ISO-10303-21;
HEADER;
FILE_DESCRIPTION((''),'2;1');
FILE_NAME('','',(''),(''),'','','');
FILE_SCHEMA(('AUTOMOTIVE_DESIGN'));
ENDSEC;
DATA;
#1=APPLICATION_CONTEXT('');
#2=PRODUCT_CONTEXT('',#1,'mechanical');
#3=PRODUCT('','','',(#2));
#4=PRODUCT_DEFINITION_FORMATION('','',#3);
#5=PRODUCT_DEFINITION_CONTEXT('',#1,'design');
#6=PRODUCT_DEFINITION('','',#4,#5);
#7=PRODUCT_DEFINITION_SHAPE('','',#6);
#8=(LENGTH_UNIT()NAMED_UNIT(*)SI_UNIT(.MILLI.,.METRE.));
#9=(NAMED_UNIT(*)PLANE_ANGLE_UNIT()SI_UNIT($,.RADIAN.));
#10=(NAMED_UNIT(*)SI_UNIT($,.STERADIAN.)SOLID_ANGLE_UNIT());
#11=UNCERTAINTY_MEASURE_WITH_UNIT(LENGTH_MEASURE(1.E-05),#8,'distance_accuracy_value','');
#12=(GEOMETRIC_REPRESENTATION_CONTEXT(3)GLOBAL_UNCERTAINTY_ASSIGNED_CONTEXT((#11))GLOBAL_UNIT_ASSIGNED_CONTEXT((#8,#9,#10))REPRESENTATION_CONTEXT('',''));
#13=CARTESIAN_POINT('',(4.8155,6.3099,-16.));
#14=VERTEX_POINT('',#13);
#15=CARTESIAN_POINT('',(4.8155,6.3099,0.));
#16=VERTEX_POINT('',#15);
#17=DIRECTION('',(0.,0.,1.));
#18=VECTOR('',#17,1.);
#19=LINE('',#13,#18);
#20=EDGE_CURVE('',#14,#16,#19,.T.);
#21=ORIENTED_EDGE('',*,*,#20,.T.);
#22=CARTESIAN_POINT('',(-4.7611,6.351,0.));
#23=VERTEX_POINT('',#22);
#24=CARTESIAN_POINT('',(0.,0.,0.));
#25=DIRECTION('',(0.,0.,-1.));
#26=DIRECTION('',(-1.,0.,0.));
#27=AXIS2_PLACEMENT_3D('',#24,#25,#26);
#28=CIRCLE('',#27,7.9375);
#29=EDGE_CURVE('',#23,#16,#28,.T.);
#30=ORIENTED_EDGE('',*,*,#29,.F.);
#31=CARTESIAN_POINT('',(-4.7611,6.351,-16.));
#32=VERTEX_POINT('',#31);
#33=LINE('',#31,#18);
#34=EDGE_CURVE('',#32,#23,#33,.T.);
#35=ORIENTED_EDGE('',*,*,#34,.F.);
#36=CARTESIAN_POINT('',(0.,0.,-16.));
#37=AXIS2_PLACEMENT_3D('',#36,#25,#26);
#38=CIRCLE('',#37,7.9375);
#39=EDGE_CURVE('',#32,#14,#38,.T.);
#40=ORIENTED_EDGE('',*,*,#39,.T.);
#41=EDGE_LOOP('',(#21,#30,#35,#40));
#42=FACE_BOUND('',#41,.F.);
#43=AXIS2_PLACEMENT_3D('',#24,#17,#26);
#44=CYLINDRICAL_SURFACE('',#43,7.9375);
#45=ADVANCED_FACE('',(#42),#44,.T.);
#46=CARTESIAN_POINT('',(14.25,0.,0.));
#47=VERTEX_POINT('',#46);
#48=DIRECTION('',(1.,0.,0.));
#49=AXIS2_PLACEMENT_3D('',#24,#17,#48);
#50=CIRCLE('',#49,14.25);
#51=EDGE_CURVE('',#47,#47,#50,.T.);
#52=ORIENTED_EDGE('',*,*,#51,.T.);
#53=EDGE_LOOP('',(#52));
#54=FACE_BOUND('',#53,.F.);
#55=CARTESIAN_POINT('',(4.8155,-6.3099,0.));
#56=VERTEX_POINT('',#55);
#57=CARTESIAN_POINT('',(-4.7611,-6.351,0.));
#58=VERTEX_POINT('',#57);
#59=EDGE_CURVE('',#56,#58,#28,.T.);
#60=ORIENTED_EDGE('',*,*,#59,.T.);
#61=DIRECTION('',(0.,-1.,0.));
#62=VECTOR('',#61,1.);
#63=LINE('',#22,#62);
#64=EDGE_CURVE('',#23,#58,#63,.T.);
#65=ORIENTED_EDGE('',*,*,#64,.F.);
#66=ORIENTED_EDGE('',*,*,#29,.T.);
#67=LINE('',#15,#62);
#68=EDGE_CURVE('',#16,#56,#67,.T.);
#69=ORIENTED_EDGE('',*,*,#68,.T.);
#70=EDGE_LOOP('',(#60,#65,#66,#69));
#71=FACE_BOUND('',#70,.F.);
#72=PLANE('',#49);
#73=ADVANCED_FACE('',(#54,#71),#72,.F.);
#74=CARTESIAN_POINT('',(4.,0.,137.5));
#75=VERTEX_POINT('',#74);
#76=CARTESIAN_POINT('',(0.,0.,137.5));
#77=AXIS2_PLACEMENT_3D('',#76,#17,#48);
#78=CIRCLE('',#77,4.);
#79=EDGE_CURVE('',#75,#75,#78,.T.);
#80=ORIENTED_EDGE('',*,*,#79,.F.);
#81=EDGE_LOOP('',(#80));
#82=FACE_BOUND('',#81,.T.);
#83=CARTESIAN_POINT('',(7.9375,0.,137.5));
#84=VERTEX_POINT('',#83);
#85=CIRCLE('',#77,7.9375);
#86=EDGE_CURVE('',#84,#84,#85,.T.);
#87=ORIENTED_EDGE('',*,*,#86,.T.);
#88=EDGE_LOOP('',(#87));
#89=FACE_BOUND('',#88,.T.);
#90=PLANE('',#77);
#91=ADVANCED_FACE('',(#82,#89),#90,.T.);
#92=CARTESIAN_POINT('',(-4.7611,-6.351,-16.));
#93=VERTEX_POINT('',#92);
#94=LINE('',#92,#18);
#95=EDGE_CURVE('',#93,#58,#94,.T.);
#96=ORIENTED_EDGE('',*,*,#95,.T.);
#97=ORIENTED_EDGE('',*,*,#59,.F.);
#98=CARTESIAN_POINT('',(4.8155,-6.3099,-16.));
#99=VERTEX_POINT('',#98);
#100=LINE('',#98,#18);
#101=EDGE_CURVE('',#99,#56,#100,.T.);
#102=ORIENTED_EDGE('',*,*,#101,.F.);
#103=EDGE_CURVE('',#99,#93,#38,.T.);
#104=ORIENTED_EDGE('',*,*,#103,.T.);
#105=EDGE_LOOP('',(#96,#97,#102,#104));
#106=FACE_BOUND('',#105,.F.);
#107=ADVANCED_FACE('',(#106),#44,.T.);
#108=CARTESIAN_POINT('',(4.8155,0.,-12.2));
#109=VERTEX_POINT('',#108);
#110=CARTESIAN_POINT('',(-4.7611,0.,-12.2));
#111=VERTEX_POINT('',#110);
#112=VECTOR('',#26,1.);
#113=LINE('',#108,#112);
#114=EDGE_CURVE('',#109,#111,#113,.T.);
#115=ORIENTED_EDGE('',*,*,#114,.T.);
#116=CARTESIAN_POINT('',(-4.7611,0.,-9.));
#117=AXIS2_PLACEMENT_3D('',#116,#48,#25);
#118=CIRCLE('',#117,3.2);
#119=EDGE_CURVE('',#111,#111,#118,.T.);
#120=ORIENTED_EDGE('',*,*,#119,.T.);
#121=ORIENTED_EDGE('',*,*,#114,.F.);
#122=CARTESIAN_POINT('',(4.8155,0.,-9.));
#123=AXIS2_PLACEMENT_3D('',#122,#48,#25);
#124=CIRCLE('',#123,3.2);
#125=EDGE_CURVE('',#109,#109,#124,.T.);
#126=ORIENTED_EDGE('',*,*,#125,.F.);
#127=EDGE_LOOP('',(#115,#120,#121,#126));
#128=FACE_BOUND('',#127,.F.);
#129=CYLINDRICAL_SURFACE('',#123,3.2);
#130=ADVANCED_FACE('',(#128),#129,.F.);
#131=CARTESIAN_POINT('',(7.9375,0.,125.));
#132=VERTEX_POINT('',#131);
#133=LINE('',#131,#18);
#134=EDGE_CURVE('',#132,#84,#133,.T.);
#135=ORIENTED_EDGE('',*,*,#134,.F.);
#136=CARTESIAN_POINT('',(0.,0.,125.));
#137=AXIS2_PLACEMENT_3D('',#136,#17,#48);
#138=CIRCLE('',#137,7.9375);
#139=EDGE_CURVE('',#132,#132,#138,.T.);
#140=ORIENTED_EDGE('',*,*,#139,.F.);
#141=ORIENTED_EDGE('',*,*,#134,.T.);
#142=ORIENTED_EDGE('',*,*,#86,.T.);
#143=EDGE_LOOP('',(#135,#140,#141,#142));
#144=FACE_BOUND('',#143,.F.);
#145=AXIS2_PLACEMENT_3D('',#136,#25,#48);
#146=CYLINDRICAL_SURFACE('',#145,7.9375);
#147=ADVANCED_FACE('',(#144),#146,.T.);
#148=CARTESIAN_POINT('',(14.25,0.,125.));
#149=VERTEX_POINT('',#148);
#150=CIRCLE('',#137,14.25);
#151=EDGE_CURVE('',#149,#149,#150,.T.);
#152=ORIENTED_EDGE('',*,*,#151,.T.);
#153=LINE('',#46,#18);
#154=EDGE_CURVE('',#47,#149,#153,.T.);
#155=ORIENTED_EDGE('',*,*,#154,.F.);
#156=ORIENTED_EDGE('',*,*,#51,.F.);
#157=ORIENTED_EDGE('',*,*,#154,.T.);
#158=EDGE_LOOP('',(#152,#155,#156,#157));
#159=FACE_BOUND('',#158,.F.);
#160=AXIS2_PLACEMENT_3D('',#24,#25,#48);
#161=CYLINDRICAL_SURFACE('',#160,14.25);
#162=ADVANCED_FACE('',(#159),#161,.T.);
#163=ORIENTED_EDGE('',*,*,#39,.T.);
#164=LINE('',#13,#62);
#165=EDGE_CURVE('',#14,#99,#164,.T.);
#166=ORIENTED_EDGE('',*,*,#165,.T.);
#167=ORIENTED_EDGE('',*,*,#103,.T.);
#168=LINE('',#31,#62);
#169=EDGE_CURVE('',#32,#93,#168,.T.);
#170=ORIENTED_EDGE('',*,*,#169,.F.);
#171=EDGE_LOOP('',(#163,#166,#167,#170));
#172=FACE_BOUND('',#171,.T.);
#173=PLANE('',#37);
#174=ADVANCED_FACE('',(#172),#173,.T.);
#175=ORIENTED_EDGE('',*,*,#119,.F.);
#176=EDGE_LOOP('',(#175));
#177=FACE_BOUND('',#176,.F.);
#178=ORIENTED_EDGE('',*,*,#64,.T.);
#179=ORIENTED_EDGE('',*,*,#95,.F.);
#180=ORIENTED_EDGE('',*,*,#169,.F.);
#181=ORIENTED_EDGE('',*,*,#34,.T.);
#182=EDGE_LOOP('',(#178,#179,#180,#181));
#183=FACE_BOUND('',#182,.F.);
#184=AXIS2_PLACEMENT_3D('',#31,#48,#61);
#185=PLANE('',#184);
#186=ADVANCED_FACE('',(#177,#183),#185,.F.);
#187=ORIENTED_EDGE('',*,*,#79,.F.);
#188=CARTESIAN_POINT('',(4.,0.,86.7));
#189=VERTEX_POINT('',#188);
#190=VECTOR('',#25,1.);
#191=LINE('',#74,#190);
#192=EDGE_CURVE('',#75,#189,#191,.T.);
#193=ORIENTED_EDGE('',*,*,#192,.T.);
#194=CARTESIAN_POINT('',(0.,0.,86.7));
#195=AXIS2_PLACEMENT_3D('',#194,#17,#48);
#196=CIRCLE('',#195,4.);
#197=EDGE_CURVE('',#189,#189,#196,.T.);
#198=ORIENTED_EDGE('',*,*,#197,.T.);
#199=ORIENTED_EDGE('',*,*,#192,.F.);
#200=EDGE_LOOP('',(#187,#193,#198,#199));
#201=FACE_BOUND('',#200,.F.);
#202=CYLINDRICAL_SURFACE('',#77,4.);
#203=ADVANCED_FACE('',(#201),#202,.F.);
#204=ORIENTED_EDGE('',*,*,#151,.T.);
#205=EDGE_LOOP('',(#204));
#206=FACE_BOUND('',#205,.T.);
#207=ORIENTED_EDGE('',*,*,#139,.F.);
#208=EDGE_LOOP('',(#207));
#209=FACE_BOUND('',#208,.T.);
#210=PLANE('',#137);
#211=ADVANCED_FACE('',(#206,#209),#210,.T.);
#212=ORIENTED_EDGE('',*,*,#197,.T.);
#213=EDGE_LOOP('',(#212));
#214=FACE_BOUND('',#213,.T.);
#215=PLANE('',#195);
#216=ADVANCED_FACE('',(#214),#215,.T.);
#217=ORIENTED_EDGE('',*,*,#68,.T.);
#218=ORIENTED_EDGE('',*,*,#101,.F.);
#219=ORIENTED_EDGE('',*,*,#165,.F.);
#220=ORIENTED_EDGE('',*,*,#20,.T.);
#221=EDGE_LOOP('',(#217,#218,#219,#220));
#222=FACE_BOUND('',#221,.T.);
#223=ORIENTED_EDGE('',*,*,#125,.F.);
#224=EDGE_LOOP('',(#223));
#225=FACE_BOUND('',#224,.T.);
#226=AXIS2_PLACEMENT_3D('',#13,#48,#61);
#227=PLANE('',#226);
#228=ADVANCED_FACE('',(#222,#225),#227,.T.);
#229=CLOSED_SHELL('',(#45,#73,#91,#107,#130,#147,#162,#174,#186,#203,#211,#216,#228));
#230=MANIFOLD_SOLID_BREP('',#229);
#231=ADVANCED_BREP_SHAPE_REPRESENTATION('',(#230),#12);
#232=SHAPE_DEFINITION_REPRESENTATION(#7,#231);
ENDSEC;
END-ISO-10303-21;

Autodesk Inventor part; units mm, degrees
ref_plane "YZ Plane" through (0, 0, 0) normal (1, 0, 0) x (0, 1, 0)
ref_plane "XZ Plane" through (0, 0, 0) normal (0, 1, 0) x (-1, 0, 0)
ref_plane "XY Plane" through (0, 0, 0) normal (0, 0, 1) x (1, 0, 0)
sketch "Sketch1" plane through (0, 0, 0) normal (0, 0, 1) x (1, 0, 0)
  circle A0 centre (0, 0) radius 14.25
  dimension "d0" = 28.5
extrude "Extrusion1" add sketch "Sketch1" along normal blind 125
sketch "Sketch2" plane through (0, 0, 125) normal (0, 0, 1) x (1, 0, 0)
  circle A0 centre (0, 0) radius 7.9375
  dimension "d3" = 15.875
extrude "Extrusion2" add sketch "Sketch2" along normal blind 12.5
sketch "Sketch3" plane through (0, 0, 137.5) normal (0, 0, 1) x (1, 0, 0)
  circle A0 centre (0, 0) radius 4
  dimension "d6" = 8
extrude "Extrusion3" cut sketch "Sketch3" against normal blind 50.8
sketch "Sketch4" plane through (0, 0, 0) normal (0, 0, -1) x (-1, 0, 0)
  circle A0 centre (0, 0) radius 7.9375
  dimension "d9" = 15.875
extrude "Extrusion4" add sketch "Sketch4" along normal blind 16
sketch "Sketch5" plane through (0, 0, -16) normal (0, 0, -1) x (-1, 0, 0)
  line L0 (-4.75, -7.9375) -> (4.75, -7.9375)
  line L1 (4.75, -7.9375) -> (4.75, 7.9375)
  line L2 (4.75, 7.9375) -> (-4.75, 7.9375)
  line L3 (-4.75, 7.9375) -> (-4.75, -7.9375)
  line L4 (-4.75, -7.9375) -> (4.75, 7.9375) construction
  line L5 (4.75, -7.9375) -> (-4.75, 7.9375) construction
  circle A0 centre (0, 0) radius 7.9375 construction
  circle A1 centre (0, 0) radius 7.9375 projected
  arc A2 (-4.8155, 6.3099) -> (-4.8155, -6.3099) centre (0, 0) ccw
  arc A3 (4.7611, -6.351) -> (4.7611, 6.351) centre (0, 0) ccw
  line L6 (-4.8155, 6.3099) -> (-4.8155, -6.3099)
  line L7 (4.7611, 6.351) -> (4.7611, -6.351)
  dimension "d12" = 9.5
extrude "Extrusion5" cut sketch "Sketch5" against normal up to surface (16 mm away) contours A1 L6 | L7 A1
sketch "Sketch6" plane through (4.8155, -6.3099, -16) normal (1, 0, 0) x (0, 0, -1)
  line L0 (0, -0.0411) -> (0, 12.6609) construction
  line L1 (0, 6.3099) -> (-7, 6.3099) construction
  circle A0 centre (-7, 6.3099) radius 3.2
  point P0 (-16, 6.3099)
  dimension "d15" = 6.4
  dimension "d16" = 7
extrude "Extrusion6" cut sketch "Sketch6" against normal through all
properties part number "cylinder"
